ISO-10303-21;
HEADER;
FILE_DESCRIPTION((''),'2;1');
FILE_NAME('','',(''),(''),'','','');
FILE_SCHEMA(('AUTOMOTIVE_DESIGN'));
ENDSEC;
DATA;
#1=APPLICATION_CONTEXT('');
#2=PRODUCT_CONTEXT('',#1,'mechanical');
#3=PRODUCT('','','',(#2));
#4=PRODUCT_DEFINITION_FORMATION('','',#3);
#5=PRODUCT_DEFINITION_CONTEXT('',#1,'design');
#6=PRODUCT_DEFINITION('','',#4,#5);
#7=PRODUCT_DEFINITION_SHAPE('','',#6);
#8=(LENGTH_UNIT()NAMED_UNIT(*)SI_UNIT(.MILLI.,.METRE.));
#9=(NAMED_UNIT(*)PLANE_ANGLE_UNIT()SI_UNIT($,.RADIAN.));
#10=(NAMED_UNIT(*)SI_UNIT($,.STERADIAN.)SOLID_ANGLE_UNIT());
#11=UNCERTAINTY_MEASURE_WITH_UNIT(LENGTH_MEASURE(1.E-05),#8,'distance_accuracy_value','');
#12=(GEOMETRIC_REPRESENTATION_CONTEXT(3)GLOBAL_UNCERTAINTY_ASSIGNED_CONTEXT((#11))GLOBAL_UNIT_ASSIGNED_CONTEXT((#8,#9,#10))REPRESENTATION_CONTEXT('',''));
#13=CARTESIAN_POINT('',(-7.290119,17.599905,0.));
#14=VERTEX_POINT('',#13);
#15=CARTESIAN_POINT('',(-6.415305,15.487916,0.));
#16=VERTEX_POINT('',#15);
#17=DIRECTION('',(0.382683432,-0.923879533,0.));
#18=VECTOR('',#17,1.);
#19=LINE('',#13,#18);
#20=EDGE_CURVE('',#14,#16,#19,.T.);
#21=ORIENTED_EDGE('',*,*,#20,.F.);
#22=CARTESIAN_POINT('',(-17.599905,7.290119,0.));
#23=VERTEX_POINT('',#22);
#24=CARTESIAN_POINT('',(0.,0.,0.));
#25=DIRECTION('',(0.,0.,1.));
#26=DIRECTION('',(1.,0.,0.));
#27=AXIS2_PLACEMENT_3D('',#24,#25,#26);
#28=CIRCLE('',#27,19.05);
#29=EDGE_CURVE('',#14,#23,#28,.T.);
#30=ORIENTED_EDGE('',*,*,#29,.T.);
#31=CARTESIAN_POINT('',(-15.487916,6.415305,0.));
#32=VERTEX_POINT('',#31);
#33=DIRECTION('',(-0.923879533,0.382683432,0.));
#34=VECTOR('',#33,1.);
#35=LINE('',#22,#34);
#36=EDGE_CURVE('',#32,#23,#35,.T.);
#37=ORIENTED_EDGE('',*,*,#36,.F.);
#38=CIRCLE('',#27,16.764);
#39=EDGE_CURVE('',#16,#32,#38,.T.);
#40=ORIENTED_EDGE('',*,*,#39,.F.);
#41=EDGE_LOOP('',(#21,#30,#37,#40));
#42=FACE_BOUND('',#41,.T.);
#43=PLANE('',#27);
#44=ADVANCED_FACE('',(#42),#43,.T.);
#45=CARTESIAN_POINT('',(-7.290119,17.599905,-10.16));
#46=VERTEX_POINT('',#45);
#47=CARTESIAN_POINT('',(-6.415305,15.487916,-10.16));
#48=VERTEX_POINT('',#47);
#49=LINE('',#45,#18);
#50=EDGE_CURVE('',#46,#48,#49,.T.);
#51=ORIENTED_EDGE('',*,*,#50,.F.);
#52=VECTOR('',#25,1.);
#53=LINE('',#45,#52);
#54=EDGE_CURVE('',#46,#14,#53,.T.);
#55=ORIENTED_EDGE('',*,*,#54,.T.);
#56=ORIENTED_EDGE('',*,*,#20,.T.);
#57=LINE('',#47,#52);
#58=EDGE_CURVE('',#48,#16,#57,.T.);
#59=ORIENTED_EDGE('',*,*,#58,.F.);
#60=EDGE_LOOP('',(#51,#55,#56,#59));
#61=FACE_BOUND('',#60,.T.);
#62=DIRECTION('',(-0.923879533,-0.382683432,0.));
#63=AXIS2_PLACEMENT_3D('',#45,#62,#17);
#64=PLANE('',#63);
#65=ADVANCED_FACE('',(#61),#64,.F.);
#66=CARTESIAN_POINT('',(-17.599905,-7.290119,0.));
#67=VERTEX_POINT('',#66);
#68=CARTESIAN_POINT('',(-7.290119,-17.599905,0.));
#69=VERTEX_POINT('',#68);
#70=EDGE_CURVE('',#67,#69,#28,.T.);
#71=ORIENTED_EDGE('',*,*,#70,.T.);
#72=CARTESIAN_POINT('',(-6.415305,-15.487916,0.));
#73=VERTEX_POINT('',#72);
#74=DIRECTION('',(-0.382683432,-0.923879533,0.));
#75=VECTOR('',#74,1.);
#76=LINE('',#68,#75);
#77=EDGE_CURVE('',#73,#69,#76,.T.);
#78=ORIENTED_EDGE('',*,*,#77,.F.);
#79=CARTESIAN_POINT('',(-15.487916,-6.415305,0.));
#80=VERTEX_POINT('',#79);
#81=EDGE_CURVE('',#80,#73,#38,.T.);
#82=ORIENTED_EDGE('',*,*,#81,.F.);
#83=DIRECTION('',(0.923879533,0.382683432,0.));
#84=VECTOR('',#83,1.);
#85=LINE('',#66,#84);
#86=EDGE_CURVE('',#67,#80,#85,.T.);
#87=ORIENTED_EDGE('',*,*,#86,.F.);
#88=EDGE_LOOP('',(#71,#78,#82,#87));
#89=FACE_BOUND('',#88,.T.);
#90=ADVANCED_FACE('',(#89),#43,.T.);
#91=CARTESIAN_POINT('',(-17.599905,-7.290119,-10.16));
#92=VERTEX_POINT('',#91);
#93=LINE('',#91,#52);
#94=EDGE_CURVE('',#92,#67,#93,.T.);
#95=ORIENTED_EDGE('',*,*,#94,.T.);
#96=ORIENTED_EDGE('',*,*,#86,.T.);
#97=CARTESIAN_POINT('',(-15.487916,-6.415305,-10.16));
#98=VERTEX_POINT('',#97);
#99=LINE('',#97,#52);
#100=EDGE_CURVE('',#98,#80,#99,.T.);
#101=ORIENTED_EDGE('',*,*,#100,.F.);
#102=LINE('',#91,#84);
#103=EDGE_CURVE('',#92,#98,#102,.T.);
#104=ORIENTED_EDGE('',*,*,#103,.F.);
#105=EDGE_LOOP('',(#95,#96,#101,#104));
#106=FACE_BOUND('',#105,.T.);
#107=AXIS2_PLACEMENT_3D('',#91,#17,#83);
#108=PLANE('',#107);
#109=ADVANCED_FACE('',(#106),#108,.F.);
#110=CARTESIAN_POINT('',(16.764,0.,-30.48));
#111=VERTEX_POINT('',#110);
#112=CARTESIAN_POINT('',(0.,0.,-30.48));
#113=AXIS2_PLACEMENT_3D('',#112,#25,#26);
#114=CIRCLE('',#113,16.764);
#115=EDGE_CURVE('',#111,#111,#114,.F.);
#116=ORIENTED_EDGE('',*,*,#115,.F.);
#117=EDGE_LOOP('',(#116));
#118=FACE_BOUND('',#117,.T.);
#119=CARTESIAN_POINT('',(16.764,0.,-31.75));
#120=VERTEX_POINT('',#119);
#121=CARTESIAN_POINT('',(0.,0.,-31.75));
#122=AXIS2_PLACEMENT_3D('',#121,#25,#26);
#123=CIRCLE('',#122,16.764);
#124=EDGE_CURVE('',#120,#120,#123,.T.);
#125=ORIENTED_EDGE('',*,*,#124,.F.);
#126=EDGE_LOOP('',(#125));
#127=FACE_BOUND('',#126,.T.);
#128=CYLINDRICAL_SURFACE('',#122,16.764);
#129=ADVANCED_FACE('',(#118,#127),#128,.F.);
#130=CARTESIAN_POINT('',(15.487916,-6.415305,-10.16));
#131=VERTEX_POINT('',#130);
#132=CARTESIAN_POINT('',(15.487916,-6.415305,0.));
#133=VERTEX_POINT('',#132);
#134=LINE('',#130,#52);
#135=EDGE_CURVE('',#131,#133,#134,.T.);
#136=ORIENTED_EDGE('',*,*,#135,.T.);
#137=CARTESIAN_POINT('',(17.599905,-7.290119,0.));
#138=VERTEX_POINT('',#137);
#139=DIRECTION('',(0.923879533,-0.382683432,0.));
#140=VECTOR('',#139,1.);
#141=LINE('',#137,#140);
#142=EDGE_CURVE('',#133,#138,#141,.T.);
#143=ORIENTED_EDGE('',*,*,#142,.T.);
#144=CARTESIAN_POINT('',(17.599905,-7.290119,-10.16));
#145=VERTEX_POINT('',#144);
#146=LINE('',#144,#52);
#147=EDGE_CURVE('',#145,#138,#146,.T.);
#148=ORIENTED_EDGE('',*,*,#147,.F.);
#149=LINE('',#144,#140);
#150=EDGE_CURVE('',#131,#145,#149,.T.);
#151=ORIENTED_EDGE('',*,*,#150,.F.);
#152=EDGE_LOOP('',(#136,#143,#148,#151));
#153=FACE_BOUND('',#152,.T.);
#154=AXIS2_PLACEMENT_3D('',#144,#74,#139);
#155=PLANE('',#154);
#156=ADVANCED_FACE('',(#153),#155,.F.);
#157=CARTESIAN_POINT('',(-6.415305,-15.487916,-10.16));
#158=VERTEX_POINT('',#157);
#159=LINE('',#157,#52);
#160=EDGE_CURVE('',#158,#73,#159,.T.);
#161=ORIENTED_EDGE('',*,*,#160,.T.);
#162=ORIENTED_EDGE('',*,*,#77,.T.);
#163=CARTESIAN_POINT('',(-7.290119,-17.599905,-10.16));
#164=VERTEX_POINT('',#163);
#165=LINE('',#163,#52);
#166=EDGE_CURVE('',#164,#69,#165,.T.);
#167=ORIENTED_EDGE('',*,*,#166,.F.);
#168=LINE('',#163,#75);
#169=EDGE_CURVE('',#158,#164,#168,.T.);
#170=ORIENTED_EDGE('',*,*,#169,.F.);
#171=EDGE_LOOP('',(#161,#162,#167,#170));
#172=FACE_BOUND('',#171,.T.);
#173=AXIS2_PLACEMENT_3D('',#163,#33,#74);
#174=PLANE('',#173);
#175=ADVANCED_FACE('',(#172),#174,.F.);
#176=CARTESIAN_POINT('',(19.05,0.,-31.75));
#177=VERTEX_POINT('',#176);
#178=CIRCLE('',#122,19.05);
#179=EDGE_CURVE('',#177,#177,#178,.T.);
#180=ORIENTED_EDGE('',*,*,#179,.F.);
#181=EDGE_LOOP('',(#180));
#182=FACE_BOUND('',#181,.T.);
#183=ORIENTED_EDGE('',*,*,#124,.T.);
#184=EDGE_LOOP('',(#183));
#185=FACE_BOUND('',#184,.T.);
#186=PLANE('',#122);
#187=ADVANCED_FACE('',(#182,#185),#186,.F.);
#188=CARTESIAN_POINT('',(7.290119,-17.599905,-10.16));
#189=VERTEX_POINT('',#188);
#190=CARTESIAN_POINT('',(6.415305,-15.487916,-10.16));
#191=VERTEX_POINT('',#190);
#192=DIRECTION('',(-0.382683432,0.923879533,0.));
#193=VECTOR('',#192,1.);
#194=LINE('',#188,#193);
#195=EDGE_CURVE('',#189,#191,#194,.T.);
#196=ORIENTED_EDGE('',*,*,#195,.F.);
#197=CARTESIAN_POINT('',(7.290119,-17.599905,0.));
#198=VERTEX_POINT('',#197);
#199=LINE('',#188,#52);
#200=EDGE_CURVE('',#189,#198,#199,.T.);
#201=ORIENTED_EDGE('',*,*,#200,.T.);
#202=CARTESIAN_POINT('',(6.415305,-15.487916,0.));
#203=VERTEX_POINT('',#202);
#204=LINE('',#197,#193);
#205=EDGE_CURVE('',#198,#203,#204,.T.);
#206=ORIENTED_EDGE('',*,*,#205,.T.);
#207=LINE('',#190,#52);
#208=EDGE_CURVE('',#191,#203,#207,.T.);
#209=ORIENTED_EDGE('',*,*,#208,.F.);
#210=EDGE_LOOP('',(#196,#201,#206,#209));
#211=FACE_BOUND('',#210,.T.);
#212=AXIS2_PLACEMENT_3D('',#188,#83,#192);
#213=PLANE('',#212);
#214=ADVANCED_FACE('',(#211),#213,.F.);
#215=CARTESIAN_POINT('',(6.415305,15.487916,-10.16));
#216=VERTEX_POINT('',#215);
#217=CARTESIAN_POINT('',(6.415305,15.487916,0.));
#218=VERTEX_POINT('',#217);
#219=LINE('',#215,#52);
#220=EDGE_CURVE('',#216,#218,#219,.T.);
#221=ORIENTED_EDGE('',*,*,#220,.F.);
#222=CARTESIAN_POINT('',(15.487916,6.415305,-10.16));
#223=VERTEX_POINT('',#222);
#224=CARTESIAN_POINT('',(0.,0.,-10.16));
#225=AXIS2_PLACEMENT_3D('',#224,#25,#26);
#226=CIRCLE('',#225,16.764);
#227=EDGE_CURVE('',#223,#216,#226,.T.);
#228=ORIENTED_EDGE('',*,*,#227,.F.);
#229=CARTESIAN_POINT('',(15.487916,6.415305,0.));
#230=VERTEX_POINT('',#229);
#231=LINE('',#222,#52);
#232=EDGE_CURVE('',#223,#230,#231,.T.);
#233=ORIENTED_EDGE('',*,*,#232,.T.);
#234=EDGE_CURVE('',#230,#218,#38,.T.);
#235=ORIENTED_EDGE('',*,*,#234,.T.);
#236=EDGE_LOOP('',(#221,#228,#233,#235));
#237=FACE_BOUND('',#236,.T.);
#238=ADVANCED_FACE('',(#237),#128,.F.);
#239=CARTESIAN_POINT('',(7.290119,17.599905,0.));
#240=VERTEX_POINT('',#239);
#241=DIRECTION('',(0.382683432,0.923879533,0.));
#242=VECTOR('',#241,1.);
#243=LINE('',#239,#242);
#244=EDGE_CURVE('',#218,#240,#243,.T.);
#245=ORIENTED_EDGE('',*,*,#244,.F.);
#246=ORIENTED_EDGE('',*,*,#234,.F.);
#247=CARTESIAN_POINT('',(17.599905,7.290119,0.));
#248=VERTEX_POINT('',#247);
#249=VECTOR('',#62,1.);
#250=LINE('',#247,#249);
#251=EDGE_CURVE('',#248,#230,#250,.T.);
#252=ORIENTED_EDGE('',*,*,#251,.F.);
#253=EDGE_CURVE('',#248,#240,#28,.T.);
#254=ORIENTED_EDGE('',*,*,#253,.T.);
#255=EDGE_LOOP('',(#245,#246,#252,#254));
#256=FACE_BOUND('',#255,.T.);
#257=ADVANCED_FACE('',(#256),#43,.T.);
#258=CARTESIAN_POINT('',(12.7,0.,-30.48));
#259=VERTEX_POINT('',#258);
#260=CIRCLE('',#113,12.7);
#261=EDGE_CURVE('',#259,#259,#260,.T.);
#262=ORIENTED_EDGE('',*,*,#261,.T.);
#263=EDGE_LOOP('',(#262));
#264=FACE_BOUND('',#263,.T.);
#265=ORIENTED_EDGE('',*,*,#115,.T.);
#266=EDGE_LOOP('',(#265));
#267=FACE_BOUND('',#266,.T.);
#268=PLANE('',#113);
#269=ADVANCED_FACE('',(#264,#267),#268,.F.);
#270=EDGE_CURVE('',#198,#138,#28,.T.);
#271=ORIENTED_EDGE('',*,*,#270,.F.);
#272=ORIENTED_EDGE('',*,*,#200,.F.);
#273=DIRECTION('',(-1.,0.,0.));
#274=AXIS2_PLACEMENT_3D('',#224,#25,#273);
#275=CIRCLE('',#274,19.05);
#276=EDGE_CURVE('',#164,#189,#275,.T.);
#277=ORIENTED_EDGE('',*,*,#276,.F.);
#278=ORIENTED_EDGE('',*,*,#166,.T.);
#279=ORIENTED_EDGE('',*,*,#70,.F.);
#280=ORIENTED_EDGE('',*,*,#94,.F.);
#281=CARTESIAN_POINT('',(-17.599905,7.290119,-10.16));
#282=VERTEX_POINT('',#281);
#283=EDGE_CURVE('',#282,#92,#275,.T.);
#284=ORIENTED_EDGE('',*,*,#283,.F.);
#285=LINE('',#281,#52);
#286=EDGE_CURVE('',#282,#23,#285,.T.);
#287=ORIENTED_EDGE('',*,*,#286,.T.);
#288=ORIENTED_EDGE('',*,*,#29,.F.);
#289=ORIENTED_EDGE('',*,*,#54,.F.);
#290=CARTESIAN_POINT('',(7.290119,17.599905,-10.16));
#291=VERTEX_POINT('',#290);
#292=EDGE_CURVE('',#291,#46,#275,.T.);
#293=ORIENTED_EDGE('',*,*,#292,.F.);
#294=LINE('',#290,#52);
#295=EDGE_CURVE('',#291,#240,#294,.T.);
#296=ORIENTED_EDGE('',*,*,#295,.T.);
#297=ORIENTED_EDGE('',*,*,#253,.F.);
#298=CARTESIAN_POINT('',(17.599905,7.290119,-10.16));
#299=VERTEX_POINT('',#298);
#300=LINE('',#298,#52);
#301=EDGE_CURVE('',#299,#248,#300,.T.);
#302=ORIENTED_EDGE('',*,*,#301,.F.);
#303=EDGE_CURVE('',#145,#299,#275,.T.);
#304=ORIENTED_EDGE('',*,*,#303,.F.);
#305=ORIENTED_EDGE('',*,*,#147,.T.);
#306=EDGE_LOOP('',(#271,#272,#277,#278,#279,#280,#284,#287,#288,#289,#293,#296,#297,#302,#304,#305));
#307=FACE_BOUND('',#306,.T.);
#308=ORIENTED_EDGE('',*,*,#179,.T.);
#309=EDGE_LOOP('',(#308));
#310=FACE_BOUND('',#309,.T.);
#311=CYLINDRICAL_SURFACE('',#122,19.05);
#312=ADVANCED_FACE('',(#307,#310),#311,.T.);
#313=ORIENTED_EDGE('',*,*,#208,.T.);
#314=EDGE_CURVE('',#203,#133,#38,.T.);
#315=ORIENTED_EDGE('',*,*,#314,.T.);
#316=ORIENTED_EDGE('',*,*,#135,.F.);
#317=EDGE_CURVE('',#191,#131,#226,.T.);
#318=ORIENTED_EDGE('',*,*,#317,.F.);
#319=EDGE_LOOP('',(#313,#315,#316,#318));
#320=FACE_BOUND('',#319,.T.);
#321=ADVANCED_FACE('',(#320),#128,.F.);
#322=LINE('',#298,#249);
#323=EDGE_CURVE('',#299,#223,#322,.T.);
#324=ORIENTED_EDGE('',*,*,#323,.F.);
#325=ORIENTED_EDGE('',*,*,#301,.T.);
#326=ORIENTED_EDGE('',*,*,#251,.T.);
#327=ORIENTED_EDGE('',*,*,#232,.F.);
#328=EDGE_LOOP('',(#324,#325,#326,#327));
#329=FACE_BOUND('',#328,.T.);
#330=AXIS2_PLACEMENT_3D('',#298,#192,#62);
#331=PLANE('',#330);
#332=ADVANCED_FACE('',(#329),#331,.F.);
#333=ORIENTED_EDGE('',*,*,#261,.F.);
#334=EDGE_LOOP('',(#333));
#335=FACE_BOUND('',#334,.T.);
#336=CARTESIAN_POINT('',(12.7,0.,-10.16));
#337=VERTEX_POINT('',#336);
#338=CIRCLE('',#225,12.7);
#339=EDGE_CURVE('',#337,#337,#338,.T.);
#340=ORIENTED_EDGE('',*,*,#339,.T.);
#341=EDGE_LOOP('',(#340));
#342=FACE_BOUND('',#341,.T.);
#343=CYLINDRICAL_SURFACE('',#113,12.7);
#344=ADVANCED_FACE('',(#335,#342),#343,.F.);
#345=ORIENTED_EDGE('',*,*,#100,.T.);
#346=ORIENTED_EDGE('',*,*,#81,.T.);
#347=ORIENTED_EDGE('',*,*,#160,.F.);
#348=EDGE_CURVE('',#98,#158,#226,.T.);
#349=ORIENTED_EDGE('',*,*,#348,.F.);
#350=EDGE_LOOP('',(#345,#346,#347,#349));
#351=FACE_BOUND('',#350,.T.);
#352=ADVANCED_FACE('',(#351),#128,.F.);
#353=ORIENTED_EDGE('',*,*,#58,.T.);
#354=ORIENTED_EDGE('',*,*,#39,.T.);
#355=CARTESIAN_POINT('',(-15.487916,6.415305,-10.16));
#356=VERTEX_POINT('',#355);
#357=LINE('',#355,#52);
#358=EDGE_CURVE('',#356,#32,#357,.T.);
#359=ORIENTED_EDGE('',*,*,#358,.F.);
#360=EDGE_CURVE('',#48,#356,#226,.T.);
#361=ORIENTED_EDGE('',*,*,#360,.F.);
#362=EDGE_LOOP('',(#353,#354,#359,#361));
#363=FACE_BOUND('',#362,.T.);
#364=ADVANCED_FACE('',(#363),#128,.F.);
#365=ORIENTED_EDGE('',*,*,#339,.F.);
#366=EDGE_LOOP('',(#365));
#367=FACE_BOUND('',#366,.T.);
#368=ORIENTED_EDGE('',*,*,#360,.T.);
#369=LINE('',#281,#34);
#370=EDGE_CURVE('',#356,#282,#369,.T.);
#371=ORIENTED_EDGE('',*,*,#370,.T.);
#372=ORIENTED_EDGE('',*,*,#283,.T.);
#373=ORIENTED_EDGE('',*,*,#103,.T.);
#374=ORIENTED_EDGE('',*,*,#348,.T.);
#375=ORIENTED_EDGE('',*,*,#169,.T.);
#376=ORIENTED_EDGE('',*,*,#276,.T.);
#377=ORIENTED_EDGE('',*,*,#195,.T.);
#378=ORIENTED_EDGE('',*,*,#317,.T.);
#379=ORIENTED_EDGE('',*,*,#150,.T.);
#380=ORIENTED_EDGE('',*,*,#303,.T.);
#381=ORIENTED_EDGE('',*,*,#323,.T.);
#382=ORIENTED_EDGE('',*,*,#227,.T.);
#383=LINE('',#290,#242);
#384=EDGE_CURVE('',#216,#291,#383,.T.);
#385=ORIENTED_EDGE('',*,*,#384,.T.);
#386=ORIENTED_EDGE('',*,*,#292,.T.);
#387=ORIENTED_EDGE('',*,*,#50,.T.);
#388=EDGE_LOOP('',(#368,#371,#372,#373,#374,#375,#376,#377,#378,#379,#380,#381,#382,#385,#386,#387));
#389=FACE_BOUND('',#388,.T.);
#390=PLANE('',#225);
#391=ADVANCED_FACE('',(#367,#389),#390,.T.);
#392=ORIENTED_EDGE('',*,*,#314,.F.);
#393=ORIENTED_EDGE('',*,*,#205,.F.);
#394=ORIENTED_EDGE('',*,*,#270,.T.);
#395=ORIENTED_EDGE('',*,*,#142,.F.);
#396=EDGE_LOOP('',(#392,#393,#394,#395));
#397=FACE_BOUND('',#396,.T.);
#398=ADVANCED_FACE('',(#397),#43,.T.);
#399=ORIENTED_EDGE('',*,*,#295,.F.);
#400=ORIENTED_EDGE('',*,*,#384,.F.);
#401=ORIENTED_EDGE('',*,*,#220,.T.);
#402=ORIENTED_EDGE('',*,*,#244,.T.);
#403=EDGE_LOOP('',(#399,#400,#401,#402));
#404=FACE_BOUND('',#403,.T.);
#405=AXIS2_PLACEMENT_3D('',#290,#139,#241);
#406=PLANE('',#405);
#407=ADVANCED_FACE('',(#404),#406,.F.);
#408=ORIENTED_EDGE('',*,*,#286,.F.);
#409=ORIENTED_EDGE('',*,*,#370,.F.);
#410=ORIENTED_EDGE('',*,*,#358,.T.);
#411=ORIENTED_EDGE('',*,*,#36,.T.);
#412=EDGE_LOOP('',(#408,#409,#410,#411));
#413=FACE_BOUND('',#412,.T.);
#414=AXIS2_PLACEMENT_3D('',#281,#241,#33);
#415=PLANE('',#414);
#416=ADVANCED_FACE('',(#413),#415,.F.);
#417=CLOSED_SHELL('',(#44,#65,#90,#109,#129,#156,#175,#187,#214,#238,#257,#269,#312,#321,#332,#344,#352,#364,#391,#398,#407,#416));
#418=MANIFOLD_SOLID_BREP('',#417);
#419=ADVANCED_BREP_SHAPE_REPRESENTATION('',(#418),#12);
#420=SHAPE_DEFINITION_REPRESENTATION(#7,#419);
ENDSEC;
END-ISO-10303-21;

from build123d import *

# Parameters (mm, degrees)
SKETCH1_R           = 19.05
SKETCH1_R_2         = 16.764
BOSS_EXTRUDE1_DEPTH = 31.75
BOSS_EXTRUDE2_START = -10.16
SKETCH2_R           = 16.764
SKETCH2_R_2         = 12.7
BOSS_EXTRUDE2_DEPTH = 20.32
CUT_EXTRUDE1_DEPTH  = 10.16


with BuildPart() as part:
    # Sketch1 → Boss-Extrude1 (new body)
    with BuildSketch(Plane.XY):
        Circle(SKETCH1_R)
        Circle(SKETCH1_R_2, mode=Mode.SUBTRACT)
    extrude(amount=-BOSS_EXTRUDE1_DEPTH)

    # Sketch2 → Boss-Extrude2 (add)
    with BuildSketch(Plane.XY.offset(BOSS_EXTRUDE2_START)):
        Circle(SKETCH2_R)
        Circle(SKETCH2_R_2, mode=Mode.SUBTRACT)
    extrude(amount=-BOSS_EXTRUDE2_DEPTH)

    # Sketch4 → Cut-Extrude1 (cut)
    with BuildSketch(Plane.XY):
        with BuildLine():
            Line((-7.290119387, 17.599905094), (-6.41530506, 15.487916483))
            ThreePointArc((-6.41530506, 15.487916483), (0, 16.764), (6.41530506, 15.487916483))
            Line((6.41530506, 15.487916483), (7.290119387, 17.599905094))
            ThreePointArc((7.290119387, 17.599905094), (0, 19.05), (-7.290119387, 17.599905094))
        make_face()
        with BuildLine():
            Line((17.599905094, -7.290119387), (15.487916483, -6.41530506))
            ThreePointArc((15.487916483, -6.41530506), (16.764, 0), (15.487916483, 6.41530506))
            Line((15.487916483, 6.41530506), (17.599905094, 7.290119387))
            ThreePointArc((17.599905094, 7.290119387), (19.05, 0), (17.599905094, -7.290119387))
        make_face()
        with BuildLine():
            Line((-7.290119387, -17.599905094), (-6.41530506, -15.487916483))
            ThreePointArc((-6.41530506, -15.487916483), (0, -16.764), (6.41530506, -15.487916483))
            Line((6.41530506, -15.487916483), (7.290119387, -17.599905094))
            ThreePointArc((7.290119387, -17.599905094), (0, -19.05), (-7.290119387, -17.599905094))
        make_face()
        with BuildLine():
            Line((-17.599905094, 7.290119387), (-15.487916483, 6.41530506))
            ThreePointArc((-15.487916483, 6.41530506), (-16.764, 0), (-15.487916483, -6.41530506))
            Line((-15.487916483, -6.41530506), (-17.599905094, -7.290119387))
            ThreePointArc((-17.599905094, -7.290119387), (-19.05, 0), (-17.599905094, 7.290119387))
        make_face()
    extrude(amount=-CUT_EXTRUDE1_DEPTH, mode=Mode.SUBTRACT)


solid = part.part
